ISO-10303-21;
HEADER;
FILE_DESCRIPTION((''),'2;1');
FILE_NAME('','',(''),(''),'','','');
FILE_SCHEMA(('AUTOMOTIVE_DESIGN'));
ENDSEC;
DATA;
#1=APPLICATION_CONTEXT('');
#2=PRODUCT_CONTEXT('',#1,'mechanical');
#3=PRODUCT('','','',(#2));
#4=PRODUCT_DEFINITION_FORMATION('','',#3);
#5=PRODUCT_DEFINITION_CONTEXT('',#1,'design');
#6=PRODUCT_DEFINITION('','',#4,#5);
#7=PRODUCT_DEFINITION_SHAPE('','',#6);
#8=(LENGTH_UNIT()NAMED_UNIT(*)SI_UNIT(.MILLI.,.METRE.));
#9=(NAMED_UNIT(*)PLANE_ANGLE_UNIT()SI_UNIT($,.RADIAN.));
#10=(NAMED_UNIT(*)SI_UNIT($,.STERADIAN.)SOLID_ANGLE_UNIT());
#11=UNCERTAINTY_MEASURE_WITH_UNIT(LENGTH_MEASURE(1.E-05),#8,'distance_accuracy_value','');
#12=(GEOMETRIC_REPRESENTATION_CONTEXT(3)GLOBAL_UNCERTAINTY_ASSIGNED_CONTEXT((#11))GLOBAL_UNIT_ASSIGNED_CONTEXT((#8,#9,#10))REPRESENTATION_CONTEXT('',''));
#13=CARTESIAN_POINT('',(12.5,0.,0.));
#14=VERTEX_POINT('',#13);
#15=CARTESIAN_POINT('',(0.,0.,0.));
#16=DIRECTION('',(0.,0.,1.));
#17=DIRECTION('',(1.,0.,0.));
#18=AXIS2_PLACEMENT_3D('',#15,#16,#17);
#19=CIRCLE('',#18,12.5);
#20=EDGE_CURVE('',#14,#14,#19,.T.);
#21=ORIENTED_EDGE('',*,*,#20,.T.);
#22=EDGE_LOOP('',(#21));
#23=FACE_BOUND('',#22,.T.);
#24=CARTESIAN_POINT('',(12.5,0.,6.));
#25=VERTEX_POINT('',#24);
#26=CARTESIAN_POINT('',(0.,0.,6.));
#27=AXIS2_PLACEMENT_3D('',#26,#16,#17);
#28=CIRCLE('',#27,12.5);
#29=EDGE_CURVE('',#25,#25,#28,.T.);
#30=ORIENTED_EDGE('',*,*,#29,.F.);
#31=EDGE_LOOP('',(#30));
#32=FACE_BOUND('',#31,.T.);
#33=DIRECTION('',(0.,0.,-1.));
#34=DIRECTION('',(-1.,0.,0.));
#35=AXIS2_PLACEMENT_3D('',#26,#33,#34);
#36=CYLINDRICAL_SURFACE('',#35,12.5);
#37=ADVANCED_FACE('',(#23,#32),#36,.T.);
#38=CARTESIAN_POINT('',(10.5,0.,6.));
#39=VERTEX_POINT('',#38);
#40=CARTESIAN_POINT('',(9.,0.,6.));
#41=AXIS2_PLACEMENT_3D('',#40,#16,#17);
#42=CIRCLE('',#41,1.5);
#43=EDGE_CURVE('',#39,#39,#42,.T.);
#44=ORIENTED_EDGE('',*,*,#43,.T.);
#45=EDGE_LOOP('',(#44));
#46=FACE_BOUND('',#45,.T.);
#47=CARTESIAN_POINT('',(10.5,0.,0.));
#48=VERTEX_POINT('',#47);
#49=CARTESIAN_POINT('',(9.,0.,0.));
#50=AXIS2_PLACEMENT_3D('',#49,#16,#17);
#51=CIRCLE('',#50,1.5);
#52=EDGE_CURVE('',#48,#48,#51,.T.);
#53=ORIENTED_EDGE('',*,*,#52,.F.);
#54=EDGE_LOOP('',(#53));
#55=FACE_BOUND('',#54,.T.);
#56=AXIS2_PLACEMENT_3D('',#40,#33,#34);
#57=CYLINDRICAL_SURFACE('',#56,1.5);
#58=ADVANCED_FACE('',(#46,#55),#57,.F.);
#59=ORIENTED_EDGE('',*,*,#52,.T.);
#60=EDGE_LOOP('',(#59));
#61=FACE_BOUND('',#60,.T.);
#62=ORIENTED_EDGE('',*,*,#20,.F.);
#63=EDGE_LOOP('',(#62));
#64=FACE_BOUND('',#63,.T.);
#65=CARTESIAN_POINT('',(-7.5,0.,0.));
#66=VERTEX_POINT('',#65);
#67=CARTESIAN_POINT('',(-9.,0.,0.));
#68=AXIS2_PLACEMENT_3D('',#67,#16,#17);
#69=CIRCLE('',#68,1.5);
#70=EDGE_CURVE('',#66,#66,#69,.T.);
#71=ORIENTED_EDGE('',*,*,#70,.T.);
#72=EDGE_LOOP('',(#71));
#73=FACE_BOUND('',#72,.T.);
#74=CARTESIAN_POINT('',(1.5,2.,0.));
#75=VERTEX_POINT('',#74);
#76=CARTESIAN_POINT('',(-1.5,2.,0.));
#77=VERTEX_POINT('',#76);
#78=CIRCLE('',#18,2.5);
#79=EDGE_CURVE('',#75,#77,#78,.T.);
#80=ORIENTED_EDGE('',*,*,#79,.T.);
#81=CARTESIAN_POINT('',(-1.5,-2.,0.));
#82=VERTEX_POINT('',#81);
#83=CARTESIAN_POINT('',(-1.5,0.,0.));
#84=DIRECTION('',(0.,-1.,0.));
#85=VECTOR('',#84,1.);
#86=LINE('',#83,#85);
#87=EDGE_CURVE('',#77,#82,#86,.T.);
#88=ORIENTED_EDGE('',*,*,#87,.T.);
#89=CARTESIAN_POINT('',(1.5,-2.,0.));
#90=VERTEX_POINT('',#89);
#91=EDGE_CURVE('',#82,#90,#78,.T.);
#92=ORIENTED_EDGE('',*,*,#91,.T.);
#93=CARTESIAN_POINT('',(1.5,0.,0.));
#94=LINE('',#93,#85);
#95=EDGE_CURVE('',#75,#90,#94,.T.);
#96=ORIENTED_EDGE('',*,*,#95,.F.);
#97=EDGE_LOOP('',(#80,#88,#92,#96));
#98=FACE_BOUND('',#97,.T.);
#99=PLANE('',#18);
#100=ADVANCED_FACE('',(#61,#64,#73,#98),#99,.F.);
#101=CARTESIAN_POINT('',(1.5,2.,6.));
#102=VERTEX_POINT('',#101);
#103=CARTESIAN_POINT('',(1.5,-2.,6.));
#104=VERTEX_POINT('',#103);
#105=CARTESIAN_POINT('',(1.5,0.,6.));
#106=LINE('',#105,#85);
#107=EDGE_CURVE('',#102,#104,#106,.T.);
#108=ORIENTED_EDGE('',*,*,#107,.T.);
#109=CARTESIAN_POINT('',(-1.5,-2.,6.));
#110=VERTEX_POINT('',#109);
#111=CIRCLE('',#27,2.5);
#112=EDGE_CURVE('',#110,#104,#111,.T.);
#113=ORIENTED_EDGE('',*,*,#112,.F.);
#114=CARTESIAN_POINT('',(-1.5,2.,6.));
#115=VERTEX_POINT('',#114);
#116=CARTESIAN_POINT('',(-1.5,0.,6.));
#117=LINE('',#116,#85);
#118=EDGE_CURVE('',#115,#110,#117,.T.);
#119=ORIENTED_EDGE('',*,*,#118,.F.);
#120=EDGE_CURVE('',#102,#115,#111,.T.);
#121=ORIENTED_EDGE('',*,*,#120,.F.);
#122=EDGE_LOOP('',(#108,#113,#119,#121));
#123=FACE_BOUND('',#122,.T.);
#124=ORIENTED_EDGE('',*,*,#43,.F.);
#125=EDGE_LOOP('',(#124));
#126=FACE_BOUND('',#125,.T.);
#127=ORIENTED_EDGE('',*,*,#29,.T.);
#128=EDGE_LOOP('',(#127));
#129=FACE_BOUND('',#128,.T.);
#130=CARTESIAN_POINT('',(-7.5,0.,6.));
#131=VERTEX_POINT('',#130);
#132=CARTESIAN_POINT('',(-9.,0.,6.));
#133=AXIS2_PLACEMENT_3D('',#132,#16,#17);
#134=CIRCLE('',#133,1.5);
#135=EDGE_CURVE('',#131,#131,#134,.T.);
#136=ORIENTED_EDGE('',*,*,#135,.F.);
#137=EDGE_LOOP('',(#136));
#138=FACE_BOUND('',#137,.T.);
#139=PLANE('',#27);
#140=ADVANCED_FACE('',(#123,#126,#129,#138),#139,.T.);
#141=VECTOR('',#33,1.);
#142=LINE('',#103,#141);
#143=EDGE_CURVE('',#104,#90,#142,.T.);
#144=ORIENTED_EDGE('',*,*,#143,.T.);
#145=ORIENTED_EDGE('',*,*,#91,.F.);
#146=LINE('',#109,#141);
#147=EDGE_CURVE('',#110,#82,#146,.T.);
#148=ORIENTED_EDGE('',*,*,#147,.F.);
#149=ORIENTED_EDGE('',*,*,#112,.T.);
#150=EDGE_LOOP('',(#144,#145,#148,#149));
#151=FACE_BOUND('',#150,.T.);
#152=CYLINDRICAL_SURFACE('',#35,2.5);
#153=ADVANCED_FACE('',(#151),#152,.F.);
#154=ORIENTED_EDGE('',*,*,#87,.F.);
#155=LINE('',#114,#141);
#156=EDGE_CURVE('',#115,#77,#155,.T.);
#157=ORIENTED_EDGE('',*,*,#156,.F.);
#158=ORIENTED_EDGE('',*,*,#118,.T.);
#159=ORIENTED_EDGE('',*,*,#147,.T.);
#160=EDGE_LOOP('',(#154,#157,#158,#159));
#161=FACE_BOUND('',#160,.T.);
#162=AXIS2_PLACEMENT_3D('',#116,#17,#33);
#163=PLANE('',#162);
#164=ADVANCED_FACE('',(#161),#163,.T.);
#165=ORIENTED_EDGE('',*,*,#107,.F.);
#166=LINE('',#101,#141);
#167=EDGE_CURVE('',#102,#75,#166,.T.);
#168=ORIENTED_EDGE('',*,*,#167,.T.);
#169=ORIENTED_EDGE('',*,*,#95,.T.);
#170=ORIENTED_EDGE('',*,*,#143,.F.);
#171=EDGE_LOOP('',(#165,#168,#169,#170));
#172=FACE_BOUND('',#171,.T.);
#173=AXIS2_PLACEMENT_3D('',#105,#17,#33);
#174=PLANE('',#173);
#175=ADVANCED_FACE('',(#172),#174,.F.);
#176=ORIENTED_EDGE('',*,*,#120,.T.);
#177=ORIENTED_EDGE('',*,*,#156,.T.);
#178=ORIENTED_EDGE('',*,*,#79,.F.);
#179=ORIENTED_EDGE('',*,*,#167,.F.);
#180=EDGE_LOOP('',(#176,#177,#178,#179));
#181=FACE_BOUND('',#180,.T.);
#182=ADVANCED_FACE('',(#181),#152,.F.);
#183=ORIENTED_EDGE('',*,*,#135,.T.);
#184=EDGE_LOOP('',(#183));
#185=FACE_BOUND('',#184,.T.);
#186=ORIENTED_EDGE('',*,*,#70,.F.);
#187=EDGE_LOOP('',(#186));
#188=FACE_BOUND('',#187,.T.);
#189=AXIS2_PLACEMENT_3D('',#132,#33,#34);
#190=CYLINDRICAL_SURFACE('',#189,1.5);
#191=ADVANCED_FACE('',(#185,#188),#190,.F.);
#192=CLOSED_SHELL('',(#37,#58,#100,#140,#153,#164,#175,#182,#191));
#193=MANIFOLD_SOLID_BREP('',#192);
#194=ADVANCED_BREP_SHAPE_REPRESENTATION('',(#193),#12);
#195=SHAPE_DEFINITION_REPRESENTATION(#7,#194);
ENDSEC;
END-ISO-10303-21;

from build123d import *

# Parameters (mm, degrees)
SKETCH1_R           = 12.5
SKETCH1_R_2         = 1.5
BOSS_EXTRUDE1_DEPTH = 6


with BuildPart() as part:
    # Sketch1 → Boss-Extrude1 (new body)
    with BuildSketch(Plane.XY):
        Circle(SKETCH1_R)
        with BuildLine():
            Line((-1.5, -2), (-1.5, 2))
            ThreePointArc((-1.5, 2), (0, 2.5), (1.5, 2))
            Line((1.5, 2), (1.5, -2))
            ThreePointArc((1.5, -2), (0, -2.5), (-1.5, -2))
        make_face(mode=Mode.SUBTRACT)
        with Locations((-9, 0)):
            Circle(SKETCH1_R_2, mode=Mode.SUBTRACT)
        with Locations((9, 0)):
            Circle(SKETCH1_R_2, mode=Mode.SUBTRACT)
    extrude(amount=BOSS_EXTRUDE1_DEPTH)


solid = part.part
